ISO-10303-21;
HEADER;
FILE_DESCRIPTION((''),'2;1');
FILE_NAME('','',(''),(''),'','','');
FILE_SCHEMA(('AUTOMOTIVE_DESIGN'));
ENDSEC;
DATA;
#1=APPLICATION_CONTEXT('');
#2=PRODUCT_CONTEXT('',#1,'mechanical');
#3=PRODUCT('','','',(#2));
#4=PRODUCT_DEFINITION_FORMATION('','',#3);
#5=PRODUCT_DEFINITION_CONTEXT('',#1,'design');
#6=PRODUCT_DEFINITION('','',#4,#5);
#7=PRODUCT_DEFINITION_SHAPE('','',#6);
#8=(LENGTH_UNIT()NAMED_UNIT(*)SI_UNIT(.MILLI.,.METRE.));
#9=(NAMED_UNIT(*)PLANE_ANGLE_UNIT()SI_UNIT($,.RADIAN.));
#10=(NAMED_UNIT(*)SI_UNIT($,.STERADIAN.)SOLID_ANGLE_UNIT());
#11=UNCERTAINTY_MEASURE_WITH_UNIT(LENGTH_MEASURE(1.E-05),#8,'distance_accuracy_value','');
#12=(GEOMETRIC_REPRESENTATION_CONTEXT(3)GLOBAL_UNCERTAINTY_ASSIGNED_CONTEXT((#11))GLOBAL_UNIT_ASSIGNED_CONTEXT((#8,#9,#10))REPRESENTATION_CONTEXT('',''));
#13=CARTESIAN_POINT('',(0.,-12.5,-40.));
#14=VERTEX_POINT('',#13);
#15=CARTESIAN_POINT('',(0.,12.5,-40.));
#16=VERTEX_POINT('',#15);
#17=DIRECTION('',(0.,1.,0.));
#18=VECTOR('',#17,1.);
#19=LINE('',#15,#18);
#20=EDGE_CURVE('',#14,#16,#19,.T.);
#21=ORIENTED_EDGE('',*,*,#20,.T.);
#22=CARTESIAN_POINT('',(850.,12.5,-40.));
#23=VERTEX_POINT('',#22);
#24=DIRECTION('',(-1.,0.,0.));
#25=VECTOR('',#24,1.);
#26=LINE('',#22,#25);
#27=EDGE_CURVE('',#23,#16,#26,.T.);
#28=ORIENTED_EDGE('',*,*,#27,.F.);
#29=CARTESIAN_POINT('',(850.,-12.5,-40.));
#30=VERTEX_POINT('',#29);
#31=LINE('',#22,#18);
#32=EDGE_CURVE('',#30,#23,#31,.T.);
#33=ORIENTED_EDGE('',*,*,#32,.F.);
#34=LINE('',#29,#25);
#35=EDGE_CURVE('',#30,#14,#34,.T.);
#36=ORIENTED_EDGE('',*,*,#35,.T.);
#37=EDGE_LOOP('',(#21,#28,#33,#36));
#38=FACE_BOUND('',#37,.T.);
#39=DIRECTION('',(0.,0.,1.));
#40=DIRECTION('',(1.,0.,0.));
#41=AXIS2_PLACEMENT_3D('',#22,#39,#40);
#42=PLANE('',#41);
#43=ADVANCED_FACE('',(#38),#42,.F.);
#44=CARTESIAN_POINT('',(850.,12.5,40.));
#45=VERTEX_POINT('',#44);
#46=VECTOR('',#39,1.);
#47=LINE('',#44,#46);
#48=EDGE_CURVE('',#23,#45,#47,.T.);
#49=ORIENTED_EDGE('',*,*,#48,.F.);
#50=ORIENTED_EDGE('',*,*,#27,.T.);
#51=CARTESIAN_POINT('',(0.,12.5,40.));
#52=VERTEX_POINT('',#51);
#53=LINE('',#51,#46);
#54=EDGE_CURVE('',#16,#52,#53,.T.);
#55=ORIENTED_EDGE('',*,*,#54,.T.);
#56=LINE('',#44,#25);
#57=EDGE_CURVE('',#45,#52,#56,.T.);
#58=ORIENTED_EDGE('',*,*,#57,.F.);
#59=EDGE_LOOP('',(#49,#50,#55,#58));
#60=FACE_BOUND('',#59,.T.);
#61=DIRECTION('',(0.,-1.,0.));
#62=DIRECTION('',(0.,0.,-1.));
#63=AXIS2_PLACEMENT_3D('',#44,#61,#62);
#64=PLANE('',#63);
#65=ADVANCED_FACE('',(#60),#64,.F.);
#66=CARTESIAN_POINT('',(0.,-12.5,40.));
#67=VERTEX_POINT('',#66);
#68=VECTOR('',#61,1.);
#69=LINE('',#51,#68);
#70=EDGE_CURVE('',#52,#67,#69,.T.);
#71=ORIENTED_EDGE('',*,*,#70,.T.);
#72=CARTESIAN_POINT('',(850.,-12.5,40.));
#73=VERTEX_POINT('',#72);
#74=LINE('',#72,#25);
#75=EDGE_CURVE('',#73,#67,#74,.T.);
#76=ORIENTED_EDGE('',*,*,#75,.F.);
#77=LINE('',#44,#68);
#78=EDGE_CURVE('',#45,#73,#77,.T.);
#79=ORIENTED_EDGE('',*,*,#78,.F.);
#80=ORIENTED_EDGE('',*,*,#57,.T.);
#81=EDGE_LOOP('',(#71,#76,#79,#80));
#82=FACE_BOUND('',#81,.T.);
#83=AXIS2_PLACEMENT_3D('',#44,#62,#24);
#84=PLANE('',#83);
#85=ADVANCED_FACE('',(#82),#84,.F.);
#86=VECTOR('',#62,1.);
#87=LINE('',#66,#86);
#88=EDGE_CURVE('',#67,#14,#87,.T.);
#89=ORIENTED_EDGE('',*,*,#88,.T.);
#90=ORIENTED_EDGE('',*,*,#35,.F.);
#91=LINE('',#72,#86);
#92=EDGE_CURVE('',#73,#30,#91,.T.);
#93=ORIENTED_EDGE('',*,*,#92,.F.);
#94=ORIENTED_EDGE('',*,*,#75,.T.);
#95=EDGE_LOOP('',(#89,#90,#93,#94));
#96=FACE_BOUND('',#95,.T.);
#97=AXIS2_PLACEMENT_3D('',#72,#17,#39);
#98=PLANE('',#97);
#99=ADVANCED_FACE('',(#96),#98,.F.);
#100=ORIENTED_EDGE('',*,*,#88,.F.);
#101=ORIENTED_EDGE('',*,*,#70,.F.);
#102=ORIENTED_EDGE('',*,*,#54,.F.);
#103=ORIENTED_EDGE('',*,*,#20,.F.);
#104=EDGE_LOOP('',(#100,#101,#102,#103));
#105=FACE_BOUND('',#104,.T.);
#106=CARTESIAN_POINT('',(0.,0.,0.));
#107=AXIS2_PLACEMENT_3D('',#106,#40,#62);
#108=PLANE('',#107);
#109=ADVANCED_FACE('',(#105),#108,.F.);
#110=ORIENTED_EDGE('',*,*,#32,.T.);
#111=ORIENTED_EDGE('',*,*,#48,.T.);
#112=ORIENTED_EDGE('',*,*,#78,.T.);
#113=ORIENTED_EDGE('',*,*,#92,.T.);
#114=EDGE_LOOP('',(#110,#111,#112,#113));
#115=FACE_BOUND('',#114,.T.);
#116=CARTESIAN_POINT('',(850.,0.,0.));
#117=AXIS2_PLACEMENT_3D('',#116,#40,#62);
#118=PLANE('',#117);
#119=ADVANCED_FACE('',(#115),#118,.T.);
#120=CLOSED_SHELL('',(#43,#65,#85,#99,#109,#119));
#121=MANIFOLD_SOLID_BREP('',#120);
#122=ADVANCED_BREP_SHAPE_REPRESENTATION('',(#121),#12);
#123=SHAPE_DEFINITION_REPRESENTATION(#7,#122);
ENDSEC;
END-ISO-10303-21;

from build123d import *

# Parameters (mm, degrees)
SKETCH_1_W      = 80
SKETCH_1_H      = 25
EXTRUDE_1_DEPTH = 850


with BuildPart() as part:
    # Эскиз1 → Бобышка-Вытянуть1 (new body)
    with BuildSketch(Plane(origin=(0, 0, 0), x_dir=(0, 0, -1), z_dir=(1, 0, 0))):
        Rectangle(SKETCH_1_W, SKETCH_1_H)
    extrude(amount=EXTRUDE_1_DEPTH)


solid = part.part
